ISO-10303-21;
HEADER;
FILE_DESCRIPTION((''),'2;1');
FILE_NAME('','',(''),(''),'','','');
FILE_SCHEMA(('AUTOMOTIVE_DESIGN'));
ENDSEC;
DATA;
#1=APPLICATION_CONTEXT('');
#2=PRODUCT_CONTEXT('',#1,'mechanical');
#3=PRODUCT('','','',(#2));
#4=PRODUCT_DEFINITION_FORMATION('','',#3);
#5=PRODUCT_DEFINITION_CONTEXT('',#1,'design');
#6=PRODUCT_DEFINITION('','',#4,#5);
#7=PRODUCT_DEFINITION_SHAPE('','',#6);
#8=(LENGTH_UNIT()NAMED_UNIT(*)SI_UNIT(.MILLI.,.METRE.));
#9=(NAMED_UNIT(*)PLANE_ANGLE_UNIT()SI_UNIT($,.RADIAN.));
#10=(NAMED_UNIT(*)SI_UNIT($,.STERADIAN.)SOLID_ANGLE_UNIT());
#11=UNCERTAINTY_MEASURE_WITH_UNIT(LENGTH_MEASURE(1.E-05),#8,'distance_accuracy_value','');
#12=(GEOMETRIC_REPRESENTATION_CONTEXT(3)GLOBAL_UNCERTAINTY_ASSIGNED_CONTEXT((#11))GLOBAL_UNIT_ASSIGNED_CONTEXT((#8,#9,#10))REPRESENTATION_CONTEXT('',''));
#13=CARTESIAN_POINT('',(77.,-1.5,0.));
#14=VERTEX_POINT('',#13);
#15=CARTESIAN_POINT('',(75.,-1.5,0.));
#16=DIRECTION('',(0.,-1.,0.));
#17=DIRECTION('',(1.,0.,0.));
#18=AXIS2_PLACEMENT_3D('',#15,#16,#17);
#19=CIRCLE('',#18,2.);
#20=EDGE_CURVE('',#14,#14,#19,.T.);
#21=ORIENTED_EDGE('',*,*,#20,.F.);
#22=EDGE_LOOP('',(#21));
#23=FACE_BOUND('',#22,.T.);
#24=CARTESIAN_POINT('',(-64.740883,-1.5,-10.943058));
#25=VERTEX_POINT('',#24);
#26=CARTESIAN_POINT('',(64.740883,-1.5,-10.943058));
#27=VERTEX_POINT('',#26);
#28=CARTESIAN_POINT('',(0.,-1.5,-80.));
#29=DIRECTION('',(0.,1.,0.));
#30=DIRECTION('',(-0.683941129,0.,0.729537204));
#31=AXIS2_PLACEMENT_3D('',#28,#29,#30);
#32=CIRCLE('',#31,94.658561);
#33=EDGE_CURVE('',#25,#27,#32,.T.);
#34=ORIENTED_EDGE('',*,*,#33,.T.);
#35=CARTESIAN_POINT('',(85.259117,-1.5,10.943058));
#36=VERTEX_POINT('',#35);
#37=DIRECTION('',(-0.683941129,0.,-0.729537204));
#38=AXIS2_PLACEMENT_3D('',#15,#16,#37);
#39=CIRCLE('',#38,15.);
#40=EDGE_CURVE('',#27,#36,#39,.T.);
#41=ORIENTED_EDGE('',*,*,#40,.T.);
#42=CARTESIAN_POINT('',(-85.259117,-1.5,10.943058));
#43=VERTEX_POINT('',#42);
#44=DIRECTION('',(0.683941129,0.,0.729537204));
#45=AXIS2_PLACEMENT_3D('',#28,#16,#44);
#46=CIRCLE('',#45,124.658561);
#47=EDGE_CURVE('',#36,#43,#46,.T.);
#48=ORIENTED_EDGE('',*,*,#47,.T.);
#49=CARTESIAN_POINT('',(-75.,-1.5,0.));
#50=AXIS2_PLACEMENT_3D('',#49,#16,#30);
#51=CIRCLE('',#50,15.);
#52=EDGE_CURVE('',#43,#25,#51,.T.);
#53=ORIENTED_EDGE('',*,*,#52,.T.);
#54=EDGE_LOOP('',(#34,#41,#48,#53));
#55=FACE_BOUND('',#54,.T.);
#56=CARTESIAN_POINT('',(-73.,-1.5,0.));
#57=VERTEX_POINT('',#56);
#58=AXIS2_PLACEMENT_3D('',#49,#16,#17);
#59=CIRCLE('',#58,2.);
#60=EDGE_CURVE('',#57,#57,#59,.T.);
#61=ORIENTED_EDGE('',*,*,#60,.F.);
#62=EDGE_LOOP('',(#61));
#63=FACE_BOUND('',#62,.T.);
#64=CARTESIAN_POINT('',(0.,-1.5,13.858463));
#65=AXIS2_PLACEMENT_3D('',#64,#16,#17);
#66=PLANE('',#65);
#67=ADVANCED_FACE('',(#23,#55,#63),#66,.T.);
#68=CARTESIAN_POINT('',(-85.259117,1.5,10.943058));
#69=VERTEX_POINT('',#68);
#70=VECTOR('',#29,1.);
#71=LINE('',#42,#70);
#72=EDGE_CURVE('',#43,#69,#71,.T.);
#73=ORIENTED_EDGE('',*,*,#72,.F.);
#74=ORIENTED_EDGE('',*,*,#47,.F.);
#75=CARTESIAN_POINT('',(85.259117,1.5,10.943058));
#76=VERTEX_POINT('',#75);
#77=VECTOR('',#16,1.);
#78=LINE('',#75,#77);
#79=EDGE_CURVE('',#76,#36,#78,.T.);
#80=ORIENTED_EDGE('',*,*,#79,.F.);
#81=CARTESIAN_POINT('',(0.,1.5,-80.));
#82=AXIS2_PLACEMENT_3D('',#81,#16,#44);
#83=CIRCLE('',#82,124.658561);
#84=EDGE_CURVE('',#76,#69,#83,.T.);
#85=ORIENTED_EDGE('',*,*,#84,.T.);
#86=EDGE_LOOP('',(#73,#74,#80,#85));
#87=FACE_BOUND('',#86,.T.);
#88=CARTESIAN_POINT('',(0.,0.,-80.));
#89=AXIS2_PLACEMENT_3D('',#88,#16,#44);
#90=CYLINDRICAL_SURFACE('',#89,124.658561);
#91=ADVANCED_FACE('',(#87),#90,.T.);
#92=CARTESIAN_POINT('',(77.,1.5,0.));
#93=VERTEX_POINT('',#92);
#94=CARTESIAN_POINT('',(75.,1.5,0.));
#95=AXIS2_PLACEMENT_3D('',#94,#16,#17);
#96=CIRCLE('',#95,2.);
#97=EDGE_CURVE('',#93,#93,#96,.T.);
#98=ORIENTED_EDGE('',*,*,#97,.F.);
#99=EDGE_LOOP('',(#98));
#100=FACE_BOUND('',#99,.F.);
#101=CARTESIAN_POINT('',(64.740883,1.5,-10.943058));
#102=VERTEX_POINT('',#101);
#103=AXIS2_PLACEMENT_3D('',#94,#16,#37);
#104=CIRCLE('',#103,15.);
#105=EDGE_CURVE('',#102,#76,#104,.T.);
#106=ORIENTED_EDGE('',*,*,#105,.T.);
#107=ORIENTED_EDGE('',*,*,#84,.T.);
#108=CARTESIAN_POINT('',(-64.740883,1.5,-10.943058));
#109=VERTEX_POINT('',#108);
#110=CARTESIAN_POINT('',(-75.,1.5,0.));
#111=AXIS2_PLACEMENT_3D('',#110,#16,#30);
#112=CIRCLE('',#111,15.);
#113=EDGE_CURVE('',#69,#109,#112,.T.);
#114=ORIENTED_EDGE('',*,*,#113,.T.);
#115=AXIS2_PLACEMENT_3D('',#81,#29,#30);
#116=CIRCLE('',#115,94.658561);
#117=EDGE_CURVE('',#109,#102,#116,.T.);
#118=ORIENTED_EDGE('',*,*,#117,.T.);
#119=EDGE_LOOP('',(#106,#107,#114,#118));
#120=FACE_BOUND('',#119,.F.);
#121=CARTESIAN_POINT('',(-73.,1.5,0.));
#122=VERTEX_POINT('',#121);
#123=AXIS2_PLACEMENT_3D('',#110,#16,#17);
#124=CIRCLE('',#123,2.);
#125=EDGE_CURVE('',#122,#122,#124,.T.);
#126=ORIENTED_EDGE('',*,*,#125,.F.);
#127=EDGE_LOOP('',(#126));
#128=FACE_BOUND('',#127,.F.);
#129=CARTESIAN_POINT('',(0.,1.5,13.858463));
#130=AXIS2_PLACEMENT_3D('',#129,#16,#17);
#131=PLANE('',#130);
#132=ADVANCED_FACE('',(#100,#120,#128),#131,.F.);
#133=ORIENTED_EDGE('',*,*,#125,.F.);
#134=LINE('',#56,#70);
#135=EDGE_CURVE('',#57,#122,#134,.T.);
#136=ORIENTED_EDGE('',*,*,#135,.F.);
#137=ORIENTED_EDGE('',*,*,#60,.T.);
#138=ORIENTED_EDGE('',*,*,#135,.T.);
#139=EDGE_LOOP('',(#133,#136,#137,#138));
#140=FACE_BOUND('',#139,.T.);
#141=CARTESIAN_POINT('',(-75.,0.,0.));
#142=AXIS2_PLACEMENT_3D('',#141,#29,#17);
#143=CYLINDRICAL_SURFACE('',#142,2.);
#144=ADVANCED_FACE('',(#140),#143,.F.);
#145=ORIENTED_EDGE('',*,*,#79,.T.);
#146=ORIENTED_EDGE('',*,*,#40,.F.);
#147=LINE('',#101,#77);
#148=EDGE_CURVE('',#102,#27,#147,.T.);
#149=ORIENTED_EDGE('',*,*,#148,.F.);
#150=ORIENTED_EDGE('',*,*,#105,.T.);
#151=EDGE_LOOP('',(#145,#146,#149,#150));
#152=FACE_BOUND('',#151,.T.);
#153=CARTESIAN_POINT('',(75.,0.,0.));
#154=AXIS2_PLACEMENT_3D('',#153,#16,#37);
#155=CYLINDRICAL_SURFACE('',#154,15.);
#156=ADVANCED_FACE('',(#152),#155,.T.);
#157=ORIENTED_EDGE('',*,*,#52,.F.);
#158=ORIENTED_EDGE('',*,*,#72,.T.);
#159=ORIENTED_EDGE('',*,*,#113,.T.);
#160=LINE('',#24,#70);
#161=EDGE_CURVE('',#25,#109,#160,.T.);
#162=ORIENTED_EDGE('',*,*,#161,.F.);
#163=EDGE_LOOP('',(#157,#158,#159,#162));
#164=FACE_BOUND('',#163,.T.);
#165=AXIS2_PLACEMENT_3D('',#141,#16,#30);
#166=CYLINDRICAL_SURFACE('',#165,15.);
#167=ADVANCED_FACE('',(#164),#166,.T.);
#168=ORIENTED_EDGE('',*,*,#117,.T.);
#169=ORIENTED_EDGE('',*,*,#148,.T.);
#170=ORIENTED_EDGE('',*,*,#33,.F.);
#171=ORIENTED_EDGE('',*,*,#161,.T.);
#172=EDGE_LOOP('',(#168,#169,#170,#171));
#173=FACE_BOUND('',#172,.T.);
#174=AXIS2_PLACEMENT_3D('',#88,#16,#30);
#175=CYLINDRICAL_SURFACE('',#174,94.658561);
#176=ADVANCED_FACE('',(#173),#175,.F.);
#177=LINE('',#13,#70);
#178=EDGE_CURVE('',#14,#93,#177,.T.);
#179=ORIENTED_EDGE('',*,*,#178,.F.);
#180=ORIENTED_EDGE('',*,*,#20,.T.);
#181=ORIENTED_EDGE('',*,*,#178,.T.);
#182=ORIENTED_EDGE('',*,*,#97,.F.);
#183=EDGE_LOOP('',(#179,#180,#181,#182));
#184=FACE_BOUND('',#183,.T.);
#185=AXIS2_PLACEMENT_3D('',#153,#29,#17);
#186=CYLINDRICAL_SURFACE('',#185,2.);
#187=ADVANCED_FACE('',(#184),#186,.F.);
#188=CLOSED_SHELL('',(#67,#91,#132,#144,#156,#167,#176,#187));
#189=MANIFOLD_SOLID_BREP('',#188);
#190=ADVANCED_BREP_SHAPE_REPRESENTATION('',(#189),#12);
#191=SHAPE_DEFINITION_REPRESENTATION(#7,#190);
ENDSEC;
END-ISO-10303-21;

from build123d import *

# Parameters (mm, degrees)
F1_R     = 2
F2_DEPTH = 1.5


with BuildPart() as f2:
    # F1 (on Front) → F2 (new body, symmetric)
    with BuildSketch(Plane.XZ):
        with BuildLine():
            ThreePointArc((-64.7408830668, -10.9430580621), (0, 14.6585609973), (64.7408830668, -10.9430580621))
            ThreePointArc((64.7408830668, -10.9430580621), (85.9430580621, -10.2591169332), (85.2591169332, 10.9430580621))
            ThreePointArc((85.2591169332, 10.9430580621), (0, 44.6585609973), (-85.2591169332, 10.9430580621))
            ThreePointArc((-85.2591169332, 10.9430580621), (-85.9430580621, -10.2591169332), (-64.7408830668, -10.9430580621))
        make_face()
        with Locations((-75, 0)):
            Circle(F1_R, mode=Mode.SUBTRACT)
        with Locations((75, 0)):
            Circle(F1_R, mode=Mode.SUBTRACT)
    extrude(amount=F2_DEPTH, both=True)


solid = f2.part
